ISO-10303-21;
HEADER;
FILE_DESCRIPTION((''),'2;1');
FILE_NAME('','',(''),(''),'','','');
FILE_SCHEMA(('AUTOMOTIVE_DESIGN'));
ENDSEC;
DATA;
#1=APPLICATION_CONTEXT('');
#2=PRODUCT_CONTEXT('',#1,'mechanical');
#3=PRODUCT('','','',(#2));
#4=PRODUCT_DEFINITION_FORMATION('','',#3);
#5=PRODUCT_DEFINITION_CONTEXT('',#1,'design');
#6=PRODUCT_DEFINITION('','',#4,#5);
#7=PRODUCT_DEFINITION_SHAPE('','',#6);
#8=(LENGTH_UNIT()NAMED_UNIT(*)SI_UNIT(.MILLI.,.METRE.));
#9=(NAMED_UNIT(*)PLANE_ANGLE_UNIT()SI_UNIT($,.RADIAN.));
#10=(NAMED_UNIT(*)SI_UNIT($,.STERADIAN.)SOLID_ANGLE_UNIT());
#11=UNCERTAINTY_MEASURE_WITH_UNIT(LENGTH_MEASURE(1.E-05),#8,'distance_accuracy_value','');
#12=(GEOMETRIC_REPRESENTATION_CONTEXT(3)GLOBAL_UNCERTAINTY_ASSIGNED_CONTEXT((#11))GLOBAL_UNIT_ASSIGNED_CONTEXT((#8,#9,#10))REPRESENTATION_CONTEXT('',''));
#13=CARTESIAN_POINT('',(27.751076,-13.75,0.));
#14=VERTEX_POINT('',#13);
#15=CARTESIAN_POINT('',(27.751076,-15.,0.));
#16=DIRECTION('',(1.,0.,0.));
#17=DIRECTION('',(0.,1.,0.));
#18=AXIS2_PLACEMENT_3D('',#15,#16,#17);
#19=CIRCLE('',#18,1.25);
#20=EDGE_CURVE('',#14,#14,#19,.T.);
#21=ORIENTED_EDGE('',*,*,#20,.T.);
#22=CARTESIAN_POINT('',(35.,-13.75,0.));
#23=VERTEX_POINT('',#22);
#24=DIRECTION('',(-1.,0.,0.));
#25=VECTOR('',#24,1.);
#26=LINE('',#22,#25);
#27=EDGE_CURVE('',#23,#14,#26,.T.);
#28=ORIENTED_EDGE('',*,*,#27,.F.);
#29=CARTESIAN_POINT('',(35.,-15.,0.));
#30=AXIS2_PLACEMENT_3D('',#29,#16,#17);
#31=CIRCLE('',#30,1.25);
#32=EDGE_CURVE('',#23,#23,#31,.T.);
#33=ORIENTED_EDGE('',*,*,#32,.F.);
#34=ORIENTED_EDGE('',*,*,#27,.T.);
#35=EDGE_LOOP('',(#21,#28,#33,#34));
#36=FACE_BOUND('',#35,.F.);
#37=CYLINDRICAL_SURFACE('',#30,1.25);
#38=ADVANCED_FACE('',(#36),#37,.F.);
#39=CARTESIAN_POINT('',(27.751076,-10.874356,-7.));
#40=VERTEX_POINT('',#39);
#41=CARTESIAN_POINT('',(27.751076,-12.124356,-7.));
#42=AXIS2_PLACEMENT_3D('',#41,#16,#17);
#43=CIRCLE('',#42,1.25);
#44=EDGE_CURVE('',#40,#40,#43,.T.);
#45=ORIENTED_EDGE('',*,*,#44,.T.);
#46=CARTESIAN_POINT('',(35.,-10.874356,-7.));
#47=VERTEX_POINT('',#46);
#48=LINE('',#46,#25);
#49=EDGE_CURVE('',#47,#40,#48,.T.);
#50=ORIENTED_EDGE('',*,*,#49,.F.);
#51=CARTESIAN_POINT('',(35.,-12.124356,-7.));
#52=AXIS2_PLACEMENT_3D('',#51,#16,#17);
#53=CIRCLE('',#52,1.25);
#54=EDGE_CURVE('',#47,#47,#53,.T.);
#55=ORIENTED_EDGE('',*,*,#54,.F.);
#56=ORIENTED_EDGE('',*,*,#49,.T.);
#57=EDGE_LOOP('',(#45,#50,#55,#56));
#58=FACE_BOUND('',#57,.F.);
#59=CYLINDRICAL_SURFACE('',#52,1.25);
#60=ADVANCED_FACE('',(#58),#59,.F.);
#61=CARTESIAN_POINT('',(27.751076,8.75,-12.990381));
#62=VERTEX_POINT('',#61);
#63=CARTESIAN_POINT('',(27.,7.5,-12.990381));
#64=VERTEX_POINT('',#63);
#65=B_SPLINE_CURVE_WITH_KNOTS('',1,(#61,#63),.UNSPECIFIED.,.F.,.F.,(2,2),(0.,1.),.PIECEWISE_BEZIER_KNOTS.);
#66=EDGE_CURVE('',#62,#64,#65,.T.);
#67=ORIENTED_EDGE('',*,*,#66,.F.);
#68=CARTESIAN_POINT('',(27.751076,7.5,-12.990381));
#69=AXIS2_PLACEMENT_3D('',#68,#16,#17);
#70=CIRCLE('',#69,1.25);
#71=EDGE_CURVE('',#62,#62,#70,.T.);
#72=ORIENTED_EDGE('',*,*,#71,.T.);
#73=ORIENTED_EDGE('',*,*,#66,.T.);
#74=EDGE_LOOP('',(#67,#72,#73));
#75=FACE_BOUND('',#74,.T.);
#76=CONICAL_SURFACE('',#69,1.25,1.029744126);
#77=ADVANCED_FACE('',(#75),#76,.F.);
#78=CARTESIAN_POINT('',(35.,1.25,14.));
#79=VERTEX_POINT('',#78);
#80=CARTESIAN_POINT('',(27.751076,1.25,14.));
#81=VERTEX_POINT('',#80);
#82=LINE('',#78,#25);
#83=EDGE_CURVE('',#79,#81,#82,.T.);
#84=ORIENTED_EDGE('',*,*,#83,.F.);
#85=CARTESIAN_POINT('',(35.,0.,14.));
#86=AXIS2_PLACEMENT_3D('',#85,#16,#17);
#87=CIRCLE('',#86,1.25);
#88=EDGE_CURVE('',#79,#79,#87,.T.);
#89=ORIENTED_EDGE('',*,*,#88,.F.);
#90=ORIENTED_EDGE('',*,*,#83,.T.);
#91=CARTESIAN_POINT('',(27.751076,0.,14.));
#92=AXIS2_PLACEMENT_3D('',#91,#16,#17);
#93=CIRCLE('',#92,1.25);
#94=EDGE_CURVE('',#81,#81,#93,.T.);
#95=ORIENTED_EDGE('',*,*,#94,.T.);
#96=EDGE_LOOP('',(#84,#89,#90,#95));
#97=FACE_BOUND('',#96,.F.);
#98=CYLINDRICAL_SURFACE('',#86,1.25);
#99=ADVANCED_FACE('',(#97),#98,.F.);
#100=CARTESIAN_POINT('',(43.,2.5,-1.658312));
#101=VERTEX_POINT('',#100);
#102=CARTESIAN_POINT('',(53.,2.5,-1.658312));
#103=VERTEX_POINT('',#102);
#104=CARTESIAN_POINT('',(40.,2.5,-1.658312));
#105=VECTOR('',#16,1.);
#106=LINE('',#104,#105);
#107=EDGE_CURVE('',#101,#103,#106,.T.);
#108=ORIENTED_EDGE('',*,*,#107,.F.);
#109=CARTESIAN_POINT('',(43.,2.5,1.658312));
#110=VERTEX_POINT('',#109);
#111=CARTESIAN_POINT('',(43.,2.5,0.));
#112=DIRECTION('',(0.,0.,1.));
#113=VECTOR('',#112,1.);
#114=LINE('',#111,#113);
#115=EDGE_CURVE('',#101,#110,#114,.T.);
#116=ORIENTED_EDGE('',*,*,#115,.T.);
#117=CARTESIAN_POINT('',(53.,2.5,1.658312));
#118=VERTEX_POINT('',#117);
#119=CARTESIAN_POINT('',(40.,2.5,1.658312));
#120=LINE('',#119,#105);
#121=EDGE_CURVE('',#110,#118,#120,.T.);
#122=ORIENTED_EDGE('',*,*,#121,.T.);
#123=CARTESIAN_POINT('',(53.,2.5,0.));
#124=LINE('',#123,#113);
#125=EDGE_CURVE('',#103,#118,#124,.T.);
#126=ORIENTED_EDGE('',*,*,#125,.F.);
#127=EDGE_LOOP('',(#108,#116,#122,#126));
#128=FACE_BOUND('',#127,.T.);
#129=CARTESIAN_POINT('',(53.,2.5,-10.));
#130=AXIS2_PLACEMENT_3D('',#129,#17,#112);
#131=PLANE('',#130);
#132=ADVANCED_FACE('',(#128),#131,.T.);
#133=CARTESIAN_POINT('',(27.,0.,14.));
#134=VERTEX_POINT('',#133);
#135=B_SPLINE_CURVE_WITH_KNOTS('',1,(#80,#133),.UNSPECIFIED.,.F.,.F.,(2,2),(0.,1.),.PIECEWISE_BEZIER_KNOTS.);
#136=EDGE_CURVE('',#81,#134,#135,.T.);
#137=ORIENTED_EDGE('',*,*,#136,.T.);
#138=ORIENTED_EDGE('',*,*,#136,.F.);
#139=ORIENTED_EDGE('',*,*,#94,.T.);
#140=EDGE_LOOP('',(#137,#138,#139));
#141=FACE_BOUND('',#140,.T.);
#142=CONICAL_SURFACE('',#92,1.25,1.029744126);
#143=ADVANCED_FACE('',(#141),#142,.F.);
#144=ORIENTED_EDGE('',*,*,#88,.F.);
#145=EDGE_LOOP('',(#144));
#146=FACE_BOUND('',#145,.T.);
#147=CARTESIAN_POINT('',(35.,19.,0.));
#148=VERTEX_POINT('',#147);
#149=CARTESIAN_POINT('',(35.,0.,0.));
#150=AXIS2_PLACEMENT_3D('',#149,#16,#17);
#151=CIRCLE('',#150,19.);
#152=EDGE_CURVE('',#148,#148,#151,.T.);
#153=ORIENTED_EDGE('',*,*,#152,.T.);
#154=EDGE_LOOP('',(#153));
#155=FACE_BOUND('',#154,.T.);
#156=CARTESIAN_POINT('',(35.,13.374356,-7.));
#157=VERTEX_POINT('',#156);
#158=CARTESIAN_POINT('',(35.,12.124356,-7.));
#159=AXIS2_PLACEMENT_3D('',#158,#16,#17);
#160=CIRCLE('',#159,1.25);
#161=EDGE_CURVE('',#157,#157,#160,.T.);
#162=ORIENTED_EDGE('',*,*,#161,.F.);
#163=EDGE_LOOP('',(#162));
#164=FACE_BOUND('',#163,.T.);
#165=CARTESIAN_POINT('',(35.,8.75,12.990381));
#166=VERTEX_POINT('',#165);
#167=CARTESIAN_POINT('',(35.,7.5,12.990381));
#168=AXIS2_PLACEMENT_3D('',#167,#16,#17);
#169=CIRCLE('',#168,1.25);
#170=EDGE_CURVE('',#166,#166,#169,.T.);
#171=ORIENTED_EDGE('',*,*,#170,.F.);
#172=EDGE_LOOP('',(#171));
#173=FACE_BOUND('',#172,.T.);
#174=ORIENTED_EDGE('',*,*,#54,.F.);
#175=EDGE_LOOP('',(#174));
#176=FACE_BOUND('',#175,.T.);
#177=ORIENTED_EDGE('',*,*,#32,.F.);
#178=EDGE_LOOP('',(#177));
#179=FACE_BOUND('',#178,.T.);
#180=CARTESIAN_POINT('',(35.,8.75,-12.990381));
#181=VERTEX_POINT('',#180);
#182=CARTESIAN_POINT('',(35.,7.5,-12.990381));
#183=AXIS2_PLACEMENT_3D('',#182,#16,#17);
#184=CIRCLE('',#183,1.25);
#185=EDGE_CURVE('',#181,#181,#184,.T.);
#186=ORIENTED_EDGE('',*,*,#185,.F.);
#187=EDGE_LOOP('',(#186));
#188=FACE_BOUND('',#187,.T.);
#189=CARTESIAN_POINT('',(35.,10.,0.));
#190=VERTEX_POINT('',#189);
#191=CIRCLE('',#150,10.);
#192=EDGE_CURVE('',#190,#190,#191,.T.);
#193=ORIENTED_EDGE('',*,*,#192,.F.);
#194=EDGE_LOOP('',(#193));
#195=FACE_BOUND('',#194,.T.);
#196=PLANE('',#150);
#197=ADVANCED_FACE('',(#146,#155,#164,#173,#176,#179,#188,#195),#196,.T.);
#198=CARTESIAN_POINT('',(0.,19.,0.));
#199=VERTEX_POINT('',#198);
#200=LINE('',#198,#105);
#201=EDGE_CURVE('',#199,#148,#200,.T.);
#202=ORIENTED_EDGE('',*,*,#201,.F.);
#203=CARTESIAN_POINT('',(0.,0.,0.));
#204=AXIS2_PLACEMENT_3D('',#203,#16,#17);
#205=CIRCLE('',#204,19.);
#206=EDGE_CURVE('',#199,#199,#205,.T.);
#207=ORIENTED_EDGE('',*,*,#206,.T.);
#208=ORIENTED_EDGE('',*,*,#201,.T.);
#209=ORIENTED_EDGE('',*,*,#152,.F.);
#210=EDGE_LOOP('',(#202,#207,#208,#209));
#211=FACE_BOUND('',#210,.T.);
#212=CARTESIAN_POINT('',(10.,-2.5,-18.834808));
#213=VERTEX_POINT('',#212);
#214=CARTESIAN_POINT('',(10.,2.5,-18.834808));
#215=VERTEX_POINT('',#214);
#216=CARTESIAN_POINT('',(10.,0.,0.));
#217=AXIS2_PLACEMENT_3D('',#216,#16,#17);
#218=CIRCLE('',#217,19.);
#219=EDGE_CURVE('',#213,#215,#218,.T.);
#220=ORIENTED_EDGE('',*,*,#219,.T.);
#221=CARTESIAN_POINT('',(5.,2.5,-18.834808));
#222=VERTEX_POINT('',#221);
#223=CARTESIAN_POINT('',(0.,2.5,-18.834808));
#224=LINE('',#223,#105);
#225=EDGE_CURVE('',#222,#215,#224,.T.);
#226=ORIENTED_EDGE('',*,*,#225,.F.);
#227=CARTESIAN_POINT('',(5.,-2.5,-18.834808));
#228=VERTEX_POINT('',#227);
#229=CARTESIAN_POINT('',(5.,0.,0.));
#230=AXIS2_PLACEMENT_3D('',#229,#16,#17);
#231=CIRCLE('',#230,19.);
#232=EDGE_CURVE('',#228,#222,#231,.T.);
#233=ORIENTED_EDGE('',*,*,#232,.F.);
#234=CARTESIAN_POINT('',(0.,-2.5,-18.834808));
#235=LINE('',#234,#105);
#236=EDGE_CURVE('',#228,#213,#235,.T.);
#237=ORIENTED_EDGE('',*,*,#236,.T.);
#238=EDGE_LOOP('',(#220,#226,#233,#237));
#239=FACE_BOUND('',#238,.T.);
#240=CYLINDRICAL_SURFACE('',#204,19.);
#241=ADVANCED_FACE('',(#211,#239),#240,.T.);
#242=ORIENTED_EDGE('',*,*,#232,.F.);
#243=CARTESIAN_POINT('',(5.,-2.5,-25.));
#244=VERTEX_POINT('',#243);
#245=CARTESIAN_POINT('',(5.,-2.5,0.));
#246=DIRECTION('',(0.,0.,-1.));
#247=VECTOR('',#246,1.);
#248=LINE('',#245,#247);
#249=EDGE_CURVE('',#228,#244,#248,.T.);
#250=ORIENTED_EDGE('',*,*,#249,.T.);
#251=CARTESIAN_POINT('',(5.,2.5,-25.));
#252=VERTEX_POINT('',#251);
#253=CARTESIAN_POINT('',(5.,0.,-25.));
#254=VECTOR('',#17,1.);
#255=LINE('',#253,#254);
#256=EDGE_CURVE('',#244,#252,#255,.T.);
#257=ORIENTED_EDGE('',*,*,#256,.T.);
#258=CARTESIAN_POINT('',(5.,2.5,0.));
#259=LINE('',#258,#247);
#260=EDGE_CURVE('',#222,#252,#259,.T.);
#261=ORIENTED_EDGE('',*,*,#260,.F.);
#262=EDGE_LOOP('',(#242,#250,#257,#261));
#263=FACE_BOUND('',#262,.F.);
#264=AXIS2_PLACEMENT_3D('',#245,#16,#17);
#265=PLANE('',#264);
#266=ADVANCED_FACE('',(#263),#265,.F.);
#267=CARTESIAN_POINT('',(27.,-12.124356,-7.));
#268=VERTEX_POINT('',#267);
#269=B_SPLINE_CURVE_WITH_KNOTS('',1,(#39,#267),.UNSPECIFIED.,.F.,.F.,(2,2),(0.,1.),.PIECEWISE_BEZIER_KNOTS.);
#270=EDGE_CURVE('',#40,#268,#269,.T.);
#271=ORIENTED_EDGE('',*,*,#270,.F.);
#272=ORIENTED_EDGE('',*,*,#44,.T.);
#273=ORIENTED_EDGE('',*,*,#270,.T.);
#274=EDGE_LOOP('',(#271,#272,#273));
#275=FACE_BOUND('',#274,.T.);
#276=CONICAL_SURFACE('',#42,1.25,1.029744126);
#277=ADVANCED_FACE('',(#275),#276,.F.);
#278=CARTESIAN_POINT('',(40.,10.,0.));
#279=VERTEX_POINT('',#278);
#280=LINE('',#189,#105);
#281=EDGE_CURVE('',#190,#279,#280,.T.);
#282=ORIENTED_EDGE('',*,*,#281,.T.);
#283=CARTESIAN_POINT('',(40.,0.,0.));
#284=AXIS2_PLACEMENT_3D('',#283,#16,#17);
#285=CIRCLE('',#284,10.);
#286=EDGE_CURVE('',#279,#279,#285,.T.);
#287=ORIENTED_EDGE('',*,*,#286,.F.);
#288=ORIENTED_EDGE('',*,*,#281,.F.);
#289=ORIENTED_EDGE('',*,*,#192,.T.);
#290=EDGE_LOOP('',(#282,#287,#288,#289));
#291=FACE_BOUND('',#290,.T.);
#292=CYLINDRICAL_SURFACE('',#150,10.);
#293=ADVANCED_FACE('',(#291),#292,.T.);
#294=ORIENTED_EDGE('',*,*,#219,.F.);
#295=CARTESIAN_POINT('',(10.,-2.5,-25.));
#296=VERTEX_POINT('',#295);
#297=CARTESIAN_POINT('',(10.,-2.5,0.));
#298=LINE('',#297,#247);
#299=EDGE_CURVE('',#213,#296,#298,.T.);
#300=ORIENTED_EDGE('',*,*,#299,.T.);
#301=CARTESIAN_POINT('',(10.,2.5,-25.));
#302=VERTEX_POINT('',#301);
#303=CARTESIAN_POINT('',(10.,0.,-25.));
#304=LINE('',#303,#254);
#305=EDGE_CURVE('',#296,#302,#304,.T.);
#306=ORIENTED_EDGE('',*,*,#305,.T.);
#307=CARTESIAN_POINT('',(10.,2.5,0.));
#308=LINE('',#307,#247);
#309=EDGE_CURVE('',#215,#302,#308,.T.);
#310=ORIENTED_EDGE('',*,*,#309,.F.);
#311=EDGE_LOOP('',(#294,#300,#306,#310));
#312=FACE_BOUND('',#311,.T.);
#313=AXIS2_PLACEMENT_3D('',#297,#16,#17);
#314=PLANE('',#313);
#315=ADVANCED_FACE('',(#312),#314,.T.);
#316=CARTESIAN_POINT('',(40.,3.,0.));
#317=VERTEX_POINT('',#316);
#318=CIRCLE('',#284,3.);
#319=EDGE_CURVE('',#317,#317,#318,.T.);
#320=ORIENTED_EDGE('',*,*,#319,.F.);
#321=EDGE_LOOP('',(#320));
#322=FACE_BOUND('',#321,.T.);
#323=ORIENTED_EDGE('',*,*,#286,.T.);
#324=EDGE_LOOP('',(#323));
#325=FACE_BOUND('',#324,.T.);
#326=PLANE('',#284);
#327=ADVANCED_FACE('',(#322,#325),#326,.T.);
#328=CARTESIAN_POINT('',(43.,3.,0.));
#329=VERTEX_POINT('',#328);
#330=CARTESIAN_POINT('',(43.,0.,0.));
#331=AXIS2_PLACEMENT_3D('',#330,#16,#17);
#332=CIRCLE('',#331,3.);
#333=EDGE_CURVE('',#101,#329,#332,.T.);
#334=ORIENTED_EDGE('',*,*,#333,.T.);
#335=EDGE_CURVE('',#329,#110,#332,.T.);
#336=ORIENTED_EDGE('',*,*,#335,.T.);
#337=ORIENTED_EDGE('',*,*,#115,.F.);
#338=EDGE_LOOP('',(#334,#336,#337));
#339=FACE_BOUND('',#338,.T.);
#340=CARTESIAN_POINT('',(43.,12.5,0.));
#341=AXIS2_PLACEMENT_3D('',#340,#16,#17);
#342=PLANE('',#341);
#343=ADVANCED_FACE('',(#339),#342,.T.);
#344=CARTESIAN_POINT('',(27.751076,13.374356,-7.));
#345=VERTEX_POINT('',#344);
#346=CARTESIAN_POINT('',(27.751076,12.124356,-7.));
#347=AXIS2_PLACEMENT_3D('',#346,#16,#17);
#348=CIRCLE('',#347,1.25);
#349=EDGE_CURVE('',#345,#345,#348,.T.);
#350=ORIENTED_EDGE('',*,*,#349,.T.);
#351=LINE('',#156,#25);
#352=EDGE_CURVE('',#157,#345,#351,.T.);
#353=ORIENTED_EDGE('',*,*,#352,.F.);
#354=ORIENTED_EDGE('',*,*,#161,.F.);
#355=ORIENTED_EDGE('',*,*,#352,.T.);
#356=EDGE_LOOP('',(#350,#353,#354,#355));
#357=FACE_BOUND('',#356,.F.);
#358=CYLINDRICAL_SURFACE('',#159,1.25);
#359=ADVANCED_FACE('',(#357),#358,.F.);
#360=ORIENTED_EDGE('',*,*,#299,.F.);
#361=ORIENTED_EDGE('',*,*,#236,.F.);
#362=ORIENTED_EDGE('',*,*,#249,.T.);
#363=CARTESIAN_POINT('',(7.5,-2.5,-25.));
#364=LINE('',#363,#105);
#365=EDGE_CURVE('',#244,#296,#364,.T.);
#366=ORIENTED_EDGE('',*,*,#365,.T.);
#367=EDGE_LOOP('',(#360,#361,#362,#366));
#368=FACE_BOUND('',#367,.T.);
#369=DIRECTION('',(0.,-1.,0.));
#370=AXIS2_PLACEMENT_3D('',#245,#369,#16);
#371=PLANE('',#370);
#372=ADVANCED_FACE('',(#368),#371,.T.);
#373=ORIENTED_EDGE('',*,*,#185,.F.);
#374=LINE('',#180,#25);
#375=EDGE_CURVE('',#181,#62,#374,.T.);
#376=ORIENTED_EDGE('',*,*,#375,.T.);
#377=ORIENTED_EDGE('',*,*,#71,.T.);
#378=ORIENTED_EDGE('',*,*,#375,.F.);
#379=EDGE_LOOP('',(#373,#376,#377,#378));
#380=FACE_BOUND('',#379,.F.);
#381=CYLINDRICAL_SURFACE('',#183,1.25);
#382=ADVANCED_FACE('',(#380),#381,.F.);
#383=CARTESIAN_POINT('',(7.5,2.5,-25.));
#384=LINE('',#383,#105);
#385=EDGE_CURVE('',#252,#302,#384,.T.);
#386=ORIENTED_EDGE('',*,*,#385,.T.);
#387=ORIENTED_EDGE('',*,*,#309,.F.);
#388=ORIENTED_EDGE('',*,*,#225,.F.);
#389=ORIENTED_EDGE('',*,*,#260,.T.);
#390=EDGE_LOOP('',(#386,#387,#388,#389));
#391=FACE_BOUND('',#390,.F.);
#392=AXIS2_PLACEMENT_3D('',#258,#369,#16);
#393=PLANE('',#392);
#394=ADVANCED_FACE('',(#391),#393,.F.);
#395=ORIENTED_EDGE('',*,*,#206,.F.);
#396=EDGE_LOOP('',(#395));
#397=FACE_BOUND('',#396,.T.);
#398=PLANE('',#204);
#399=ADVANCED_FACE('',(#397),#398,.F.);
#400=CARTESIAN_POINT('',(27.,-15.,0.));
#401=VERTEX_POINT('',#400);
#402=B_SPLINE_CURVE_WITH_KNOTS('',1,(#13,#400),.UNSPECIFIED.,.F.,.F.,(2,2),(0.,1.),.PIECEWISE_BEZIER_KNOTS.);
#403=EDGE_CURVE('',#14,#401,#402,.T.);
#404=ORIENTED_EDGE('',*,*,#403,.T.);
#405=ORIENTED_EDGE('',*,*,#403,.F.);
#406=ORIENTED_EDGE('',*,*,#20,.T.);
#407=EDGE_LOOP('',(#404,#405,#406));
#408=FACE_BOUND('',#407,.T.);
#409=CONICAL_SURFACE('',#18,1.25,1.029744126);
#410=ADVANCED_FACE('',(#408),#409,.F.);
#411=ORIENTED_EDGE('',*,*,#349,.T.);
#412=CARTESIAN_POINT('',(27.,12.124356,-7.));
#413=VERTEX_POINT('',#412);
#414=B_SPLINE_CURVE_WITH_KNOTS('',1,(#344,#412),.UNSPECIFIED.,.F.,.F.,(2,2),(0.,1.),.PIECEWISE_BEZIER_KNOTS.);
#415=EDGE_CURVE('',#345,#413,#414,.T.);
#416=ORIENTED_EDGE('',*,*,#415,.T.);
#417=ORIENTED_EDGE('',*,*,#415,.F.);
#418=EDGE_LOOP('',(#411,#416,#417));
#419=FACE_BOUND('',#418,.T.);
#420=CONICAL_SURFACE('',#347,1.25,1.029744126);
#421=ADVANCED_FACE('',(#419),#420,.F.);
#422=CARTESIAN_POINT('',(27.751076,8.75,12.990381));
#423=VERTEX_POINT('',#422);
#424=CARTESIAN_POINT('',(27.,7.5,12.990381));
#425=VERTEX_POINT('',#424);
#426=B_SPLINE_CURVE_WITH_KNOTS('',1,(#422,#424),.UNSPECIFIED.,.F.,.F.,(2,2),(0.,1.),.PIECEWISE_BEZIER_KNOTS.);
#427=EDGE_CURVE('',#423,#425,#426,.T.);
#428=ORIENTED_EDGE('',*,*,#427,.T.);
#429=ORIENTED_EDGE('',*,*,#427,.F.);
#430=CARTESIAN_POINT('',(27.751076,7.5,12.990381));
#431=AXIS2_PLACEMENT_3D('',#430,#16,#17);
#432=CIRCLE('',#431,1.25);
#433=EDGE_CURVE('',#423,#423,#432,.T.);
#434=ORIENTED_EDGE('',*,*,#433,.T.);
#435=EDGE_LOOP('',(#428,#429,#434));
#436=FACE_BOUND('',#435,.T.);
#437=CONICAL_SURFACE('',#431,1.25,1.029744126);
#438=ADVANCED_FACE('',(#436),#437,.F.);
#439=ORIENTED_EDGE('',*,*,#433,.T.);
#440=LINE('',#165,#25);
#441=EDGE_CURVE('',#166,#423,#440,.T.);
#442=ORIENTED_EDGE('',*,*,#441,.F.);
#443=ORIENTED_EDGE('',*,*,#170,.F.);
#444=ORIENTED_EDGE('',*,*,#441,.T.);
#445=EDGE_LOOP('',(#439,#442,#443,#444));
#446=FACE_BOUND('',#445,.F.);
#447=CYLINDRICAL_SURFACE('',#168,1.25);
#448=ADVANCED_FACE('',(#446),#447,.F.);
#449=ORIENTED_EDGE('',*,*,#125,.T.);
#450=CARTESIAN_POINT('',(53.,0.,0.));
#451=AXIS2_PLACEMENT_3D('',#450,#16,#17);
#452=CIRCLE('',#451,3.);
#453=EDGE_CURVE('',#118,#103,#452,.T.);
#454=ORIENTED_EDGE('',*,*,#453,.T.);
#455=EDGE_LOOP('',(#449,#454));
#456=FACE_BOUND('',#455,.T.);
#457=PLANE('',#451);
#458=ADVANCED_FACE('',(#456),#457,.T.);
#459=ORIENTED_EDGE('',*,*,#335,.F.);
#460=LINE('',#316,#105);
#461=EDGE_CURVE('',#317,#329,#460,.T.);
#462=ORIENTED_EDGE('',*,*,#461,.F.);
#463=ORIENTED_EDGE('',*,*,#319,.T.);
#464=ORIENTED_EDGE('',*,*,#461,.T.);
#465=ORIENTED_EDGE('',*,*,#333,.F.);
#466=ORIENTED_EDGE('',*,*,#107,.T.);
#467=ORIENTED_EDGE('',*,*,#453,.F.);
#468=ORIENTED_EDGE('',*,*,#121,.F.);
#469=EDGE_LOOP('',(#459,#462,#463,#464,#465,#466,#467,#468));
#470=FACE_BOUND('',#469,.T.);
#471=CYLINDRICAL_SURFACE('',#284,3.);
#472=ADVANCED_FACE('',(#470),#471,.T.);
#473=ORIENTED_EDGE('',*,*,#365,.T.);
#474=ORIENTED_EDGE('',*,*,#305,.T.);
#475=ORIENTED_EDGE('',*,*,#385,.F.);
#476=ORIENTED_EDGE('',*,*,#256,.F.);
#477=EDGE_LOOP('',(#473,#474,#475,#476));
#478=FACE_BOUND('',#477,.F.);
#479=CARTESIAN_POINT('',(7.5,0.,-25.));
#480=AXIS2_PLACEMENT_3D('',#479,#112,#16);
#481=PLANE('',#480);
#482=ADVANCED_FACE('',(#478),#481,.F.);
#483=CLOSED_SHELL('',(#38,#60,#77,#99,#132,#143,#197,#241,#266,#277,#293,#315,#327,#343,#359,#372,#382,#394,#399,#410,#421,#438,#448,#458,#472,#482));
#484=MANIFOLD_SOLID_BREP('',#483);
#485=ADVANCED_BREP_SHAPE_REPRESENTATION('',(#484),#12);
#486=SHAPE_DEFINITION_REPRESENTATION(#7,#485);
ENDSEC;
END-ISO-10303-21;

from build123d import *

# Parameters (mm, degrees)
SKETCH001_R  = 1.25
HOLE_DEPTH   = 7.248924
HOLE_TIPS_R  = 1.25
SKETCH002_W  = 20
SKETCH002_H  = 20
POCKET_DEPTH = 10
SKETCH003_W  = 5
SKETCH003_H  = 5
PAD_DEPTH    = 25


with BuildPart() as part:
    # Sketch → Revolution (revolve)
    with BuildSketch(Plane.XY):
        Polygon((0, 0), (0, 19), (35, 19), (35, 10), (40, 10), (40, 3), (53, 3), (53, 0), align=None)
    revolve(axis=Axis((0, 0, 0), (1, 0, 0)))

    # Sketch001 (on Face3 of Revolution) → Hole (cut)
    with BuildSketch(Plane.YZ.offset(35)):
        with Locations((-15, 0)):
            Circle(SKETCH001_R)
        with Locations((-12.124356, -7)):
            Circle(SKETCH001_R)
        with Locations((7.5, -12.990381)):
            Circle(SKETCH001_R)
        with Locations((12.124356, -7)):
            Circle(SKETCH001_R)
        with Locations((7.5, 12.990381)):
            Circle(SKETCH001_R)
        with Locations((0, 14)):
            Circle(SKETCH001_R)
    extrude(amount=-HOLE_DEPTH, mode=Mode.SUBTRACT)

    # Hole tips → Hole tip 1 section 0
    with BuildSketch(Plane.YZ.offset(27.751076), mode=Mode.PRIVATE) as hole_tip_1_s0:
        with Locations((-15, 0)):
            Circle(HOLE_TIPS_R)
    loft([hole_tip_1_s0.sketch, Vertex(27, -15, 0)], mode=Mode.SUBTRACT)

    # Hole tips → Hole tip 2 section 0
    with BuildSketch(Plane.YZ.offset(27.751076), mode=Mode.PRIVATE) as hole_tip_2_s0:
        with Locations((-12.124356, -7)):
            Circle(HOLE_TIPS_R)
    loft([hole_tip_2_s0.sketch, Vertex(27, -12.124356, -7)], mode=Mode.SUBTRACT)

    # Hole tips → Hole tip 3 section 0
    with BuildSketch(Plane.YZ.offset(27.751076), mode=Mode.PRIVATE) as hole_tip_3_s0:
        with Locations((7.5, -12.990381)):
            Circle(HOLE_TIPS_R)
    loft([hole_tip_3_s0.sketch, Vertex(27, 7.5, -12.990381)], mode=Mode.SUBTRACT)

    # Hole tips → Hole tip 4 section 0
    with BuildSketch(Plane.YZ.offset(27.751076), mode=Mode.PRIVATE) as hole_tip_4_s0:
        with Locations((12.124356, -7)):
            Circle(HOLE_TIPS_R)
    loft([hole_tip_4_s0.sketch, Vertex(27, 12.124356, -7)], mode=Mode.SUBTRACT)

    # Hole tips → Hole tip 5 section 0
    with BuildSketch(Plane.YZ.offset(27.751076), mode=Mode.PRIVATE) as hole_tip_5_s0:
        with Locations((7.5, 12.990381)):
            Circle(HOLE_TIPS_R)
    loft([hole_tip_5_s0.sketch, Vertex(27, 7.5, 12.990381)], mode=Mode.SUBTRACT)

    # Hole tips → Hole tip 6 section 0
    with BuildSketch(Plane.YZ.offset(27.751076), mode=Mode.PRIVATE) as hole_tip_6_s0:
        with Locations((0, 14)):
            Circle(HOLE_TIPS_R)
    loft([hole_tip_6_s0.sketch, Vertex(27, 0, 14)], mode=Mode.SUBTRACT)

    # Sketch002 (on Face19 of Hole) → Pocket (cut)
    with BuildSketch(Plane.YZ.offset(53)):
        with Locations((12.5, 0)):
            Rectangle(SKETCH002_W, SKETCH002_H)
    extrude(amount=-POCKET_DEPTH, mode=Mode.SUBTRACT)

    # Sketch003 → Pad (join)
    with BuildSketch(Plane.XY):
        with Locations((7.5, 0)):
            Rectangle(SKETCH003_W, SKETCH003_H)
    extrude(amount=-PAD_DEPTH)


solid = part.part
